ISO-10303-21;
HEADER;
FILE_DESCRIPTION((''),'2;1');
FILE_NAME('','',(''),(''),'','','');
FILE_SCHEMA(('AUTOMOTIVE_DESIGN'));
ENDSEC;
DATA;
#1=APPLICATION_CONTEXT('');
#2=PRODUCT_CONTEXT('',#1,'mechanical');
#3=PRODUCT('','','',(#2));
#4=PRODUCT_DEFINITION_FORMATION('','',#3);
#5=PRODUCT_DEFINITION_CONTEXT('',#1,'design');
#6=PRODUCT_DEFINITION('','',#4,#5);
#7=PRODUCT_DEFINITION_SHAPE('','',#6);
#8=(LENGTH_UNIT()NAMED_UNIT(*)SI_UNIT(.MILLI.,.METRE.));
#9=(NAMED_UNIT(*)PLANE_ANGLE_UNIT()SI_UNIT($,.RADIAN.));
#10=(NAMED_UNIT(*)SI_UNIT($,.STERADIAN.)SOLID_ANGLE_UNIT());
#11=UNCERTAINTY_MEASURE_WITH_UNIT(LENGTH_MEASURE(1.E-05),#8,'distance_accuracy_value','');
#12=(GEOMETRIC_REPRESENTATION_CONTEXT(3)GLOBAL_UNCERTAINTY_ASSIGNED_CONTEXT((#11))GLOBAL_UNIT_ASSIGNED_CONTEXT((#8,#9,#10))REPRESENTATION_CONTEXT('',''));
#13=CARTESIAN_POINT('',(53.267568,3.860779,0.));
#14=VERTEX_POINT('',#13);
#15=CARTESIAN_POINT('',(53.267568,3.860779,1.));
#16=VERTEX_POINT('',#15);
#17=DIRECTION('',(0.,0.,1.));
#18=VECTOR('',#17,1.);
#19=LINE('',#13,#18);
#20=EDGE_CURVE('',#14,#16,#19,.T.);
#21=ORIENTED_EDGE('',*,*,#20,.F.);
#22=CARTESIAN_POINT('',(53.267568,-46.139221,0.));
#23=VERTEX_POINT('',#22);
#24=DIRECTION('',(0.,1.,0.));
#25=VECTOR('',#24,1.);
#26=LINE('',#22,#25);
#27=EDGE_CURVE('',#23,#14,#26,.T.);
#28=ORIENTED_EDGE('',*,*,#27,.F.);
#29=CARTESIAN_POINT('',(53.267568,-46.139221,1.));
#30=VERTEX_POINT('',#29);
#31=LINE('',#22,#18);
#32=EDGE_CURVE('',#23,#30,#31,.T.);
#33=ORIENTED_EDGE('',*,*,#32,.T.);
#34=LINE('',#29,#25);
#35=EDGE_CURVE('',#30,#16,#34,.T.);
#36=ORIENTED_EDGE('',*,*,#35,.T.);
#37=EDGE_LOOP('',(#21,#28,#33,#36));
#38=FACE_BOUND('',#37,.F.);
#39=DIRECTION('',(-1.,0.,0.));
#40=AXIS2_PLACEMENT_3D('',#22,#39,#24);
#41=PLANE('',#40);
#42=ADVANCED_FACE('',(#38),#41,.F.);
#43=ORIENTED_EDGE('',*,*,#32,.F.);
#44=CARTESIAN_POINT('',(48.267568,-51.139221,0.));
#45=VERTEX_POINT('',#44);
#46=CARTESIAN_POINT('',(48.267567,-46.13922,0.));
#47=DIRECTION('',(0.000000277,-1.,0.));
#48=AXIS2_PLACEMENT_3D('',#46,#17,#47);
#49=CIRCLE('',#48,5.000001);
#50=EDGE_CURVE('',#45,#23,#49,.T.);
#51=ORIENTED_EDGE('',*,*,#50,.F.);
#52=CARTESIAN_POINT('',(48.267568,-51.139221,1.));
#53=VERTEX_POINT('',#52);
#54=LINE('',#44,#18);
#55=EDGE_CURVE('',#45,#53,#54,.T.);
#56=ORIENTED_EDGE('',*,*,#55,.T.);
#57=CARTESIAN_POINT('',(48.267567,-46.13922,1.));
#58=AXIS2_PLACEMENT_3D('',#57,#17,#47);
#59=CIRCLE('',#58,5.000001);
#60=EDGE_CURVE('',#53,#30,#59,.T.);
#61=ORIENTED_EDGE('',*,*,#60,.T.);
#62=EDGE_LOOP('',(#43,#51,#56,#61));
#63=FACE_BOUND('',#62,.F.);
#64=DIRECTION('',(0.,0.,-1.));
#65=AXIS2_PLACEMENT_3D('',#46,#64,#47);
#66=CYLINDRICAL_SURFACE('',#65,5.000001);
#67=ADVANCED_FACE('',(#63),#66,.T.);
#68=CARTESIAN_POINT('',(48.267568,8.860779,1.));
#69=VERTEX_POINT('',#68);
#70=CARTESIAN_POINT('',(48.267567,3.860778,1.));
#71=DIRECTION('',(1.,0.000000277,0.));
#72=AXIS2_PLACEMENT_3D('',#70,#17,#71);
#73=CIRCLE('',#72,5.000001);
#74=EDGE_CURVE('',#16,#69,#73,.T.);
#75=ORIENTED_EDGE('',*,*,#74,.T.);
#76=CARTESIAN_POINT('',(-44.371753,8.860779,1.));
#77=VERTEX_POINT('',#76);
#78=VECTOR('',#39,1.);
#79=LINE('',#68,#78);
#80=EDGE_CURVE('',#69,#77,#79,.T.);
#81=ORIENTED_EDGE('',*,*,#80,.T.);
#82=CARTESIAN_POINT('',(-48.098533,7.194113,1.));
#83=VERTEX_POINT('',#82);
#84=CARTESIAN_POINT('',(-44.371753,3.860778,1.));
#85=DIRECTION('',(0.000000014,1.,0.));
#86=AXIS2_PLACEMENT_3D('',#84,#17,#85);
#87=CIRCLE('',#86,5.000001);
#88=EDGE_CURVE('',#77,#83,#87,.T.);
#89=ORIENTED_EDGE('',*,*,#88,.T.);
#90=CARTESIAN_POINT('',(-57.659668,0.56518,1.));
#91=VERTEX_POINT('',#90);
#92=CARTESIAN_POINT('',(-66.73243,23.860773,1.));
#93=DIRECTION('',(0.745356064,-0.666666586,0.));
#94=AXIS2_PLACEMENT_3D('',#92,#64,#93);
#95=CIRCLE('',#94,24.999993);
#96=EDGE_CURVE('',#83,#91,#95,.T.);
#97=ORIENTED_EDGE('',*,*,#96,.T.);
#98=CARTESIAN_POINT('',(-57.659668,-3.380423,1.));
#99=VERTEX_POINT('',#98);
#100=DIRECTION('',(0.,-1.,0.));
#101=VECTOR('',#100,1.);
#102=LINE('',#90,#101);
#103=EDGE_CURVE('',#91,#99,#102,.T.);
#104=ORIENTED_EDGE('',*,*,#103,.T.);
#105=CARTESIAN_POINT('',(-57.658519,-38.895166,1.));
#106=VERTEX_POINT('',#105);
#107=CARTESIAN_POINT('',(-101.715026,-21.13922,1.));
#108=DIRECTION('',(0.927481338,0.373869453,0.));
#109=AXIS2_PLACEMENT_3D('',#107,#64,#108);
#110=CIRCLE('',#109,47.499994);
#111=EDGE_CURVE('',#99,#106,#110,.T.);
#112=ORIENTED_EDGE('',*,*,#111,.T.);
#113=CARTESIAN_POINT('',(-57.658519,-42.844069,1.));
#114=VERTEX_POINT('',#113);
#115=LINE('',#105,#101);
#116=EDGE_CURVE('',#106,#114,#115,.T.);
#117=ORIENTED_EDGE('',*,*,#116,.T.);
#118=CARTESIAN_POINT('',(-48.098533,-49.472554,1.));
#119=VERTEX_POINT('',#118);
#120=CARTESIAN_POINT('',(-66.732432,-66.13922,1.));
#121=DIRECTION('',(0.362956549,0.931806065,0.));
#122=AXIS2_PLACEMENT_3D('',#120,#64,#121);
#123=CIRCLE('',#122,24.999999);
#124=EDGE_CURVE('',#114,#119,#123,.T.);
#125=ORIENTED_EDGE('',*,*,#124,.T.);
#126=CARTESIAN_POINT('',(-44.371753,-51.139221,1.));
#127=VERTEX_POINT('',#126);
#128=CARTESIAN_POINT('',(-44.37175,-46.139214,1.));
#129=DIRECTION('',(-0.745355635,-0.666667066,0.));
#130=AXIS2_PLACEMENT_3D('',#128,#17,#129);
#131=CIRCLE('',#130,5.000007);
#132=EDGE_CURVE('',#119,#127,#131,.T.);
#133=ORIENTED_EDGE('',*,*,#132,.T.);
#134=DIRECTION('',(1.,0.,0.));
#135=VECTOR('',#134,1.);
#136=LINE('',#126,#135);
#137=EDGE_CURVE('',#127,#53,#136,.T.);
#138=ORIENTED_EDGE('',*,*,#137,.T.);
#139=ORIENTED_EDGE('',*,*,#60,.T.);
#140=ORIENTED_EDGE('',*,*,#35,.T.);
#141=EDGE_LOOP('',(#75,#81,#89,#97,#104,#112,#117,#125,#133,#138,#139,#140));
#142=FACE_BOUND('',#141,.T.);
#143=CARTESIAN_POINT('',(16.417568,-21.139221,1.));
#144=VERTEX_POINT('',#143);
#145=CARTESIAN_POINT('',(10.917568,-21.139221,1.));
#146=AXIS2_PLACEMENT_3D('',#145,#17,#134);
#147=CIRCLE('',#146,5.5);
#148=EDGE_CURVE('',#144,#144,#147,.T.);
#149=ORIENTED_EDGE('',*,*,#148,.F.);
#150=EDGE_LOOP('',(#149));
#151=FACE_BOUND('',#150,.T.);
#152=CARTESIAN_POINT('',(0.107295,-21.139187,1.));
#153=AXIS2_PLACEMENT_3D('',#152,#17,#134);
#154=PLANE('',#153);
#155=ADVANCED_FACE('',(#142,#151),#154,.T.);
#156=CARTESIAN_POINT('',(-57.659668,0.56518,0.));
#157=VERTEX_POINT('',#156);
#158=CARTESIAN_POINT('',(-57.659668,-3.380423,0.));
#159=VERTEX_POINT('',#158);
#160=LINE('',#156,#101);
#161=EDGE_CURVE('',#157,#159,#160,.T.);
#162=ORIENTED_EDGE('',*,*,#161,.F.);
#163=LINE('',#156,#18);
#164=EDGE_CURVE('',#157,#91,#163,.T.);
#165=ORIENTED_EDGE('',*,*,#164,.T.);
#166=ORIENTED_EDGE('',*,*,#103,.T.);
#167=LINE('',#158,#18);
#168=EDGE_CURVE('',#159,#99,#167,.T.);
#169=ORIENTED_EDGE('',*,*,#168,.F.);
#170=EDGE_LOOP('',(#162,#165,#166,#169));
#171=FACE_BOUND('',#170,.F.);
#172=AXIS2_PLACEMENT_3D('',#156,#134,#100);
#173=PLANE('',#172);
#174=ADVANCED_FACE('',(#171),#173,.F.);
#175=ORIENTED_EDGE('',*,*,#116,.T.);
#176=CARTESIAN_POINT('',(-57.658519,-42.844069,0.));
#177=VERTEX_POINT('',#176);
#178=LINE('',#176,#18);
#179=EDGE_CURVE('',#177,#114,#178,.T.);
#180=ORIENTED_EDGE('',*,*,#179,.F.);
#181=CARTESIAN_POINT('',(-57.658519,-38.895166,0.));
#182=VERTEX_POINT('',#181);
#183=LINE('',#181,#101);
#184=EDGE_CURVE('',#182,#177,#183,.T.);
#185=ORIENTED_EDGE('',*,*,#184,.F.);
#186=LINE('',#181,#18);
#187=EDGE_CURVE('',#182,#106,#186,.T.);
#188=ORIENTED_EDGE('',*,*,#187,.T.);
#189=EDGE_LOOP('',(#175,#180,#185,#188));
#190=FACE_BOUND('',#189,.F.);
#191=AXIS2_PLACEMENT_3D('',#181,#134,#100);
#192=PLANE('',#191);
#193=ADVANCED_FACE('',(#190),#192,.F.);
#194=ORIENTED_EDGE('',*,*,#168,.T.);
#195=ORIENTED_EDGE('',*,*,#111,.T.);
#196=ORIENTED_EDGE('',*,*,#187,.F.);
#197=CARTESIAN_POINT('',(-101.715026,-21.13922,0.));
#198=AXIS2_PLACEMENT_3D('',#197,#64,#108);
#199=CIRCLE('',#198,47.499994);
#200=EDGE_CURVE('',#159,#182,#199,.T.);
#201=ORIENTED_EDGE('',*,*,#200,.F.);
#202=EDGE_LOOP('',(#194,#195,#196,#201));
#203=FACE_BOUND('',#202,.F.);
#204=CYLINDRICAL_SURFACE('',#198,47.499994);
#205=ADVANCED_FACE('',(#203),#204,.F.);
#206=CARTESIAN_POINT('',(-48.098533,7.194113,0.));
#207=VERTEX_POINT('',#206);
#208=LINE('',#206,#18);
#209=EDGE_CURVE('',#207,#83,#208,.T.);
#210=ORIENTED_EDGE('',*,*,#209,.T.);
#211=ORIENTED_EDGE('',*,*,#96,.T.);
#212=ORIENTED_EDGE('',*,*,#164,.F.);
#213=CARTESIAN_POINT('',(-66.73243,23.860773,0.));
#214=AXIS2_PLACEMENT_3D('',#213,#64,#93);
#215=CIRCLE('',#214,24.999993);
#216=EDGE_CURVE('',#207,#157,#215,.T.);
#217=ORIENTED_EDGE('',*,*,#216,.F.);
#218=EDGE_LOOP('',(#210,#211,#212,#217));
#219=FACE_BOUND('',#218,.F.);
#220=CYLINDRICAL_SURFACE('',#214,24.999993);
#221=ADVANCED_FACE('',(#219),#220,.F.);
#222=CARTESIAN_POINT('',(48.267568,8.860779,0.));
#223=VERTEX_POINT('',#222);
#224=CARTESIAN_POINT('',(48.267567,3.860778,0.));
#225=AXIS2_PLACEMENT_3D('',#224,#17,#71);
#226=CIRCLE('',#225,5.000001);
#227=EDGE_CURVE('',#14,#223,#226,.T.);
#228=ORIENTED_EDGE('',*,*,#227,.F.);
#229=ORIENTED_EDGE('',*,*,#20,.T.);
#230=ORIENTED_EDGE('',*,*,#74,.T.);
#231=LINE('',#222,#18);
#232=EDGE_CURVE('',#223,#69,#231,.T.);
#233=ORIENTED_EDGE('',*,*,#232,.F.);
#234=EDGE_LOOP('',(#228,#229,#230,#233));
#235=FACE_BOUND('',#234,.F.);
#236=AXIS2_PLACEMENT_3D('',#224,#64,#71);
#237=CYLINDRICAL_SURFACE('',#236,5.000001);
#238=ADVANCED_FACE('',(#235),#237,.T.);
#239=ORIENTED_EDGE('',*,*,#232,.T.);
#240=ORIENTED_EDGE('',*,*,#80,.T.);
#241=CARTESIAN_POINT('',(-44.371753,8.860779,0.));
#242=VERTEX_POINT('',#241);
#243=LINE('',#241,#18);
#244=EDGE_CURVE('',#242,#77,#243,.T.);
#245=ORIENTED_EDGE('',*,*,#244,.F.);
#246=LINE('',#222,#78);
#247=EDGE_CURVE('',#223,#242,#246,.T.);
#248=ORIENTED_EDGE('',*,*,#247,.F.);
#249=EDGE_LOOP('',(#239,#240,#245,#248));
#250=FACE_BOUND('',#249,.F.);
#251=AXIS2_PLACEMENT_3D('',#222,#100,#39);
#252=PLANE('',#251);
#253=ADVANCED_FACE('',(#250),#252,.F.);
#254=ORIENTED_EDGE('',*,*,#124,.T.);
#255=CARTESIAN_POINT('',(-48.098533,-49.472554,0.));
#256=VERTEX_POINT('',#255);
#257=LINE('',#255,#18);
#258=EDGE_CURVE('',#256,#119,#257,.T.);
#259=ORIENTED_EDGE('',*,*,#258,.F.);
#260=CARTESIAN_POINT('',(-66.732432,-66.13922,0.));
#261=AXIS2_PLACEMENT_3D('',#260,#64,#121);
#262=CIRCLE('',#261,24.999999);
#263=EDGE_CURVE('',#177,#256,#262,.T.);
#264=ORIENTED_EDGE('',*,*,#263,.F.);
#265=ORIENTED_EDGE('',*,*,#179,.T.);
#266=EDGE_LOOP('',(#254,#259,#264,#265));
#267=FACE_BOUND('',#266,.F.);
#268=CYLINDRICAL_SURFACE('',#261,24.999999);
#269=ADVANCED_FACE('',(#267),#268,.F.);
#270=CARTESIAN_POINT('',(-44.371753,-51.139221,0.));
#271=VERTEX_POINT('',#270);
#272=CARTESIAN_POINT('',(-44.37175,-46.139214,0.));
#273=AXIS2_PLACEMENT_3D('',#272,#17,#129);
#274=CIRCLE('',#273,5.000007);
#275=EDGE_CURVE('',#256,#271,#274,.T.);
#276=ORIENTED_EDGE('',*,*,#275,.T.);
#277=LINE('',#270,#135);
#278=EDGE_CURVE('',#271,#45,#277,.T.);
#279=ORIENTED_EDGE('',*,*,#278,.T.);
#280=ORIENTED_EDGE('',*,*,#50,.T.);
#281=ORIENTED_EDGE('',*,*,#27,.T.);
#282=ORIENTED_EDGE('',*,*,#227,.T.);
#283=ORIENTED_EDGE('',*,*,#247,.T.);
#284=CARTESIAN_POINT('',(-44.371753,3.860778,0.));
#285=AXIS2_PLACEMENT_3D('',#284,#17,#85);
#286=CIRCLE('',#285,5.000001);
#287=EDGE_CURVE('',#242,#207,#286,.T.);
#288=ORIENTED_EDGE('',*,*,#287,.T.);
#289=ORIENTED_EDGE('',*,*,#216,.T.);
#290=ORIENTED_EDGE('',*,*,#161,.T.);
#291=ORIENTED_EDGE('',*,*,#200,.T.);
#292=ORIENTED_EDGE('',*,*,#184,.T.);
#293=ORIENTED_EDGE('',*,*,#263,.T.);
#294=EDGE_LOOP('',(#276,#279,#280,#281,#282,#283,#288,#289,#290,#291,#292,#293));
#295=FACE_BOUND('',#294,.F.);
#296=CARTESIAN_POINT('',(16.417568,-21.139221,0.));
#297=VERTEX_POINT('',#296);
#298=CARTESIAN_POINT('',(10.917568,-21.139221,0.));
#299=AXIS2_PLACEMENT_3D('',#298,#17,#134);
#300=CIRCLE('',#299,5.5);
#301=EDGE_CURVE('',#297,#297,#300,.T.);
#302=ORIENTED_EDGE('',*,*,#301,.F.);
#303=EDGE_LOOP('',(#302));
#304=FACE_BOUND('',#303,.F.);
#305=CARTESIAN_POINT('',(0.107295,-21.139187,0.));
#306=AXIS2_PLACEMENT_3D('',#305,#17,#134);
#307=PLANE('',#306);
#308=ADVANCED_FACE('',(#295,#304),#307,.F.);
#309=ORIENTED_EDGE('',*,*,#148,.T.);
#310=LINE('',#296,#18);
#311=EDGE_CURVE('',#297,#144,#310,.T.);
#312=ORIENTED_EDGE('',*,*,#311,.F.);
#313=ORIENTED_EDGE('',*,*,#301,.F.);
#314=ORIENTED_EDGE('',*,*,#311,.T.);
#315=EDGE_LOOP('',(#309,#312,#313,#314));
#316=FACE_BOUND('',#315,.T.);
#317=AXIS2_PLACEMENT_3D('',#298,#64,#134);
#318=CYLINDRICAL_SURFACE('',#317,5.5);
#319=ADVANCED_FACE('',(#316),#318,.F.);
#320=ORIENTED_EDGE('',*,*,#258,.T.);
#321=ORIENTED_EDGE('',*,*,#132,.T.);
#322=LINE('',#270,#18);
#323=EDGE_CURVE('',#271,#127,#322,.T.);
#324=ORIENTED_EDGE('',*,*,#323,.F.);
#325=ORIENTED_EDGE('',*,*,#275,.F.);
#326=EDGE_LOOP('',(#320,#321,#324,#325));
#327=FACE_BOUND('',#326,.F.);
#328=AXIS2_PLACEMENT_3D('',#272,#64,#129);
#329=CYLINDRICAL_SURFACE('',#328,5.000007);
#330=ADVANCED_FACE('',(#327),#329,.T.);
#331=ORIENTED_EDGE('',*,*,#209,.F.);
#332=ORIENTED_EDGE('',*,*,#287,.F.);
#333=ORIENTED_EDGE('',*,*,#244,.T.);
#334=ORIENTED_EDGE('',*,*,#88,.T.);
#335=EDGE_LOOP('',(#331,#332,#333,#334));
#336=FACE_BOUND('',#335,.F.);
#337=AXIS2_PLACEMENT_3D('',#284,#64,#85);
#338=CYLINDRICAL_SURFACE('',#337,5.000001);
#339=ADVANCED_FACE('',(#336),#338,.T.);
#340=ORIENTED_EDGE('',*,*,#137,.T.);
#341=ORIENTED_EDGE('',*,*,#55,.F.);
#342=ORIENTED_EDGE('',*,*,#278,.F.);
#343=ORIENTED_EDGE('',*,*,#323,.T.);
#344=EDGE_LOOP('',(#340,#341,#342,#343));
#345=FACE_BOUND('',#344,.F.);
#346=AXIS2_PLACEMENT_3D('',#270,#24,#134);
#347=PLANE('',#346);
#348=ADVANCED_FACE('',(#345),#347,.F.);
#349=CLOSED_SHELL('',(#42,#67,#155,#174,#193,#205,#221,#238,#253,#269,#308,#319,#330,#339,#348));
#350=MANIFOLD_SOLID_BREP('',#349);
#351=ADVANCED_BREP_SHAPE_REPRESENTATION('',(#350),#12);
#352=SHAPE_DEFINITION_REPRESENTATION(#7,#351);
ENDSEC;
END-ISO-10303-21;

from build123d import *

# Parameters (mm, degrees)
F0_R     = 1.25
F0_R_2   = 5.5
F0_R_3   = 5
F1_DEPTH = 1


with BuildPart() as f1:
    # F0 (on Top) → F1 (new body)
    with BuildSketch(Plane.XY):
        with BuildLine():
            Line((48.267568, 8.860779), (-44.371753, 8.860779))
            ThreePointArc((-44.371753, 8.860779), (-46.412994, 8.425134), (-48.098533, 7.194113))
            ThreePointArc((-48.098533, 7.194113), (-52.488118, 3.315719), (-57.659668, 0.56518))
            Line((-57.659668, 0.56518), (-57.659668, -3.380423))
            ThreePointArc((-57.659668, -3.380423), (-54.215032, -21.137683), (-57.658519, -38.895166))
            Line((-57.658519, -38.895166), (-57.658519, -42.844069))
            ThreePointArc((-57.658519, -42.844069), (-52.487611, -45.594512), (-48.098533, -49.472554))
            ThreePointArc((-48.098533, -49.472554), (-46.412994, -50.703575), (-44.371753, -51.139221))
            Line((-44.371753, -51.139221), (48.267568, -51.139221))
            ThreePointArc((48.267568, -51.139221), (51.803101, -49.674755), (53.267568, -46.139221))
            Line((53.267568, -46.139221), (53.267568, -22.439221))
            Line((53.267568, -22.439221), (46.782555, -22.439221))
            ThreePointArc((46.782555, -22.439221), (45.636911, -22.799861), (44.904433, -23.751721))
            ThreePointArc((44.904433, -23.751721), (37.767568, -28.739221), (30.630702, -23.751721))
            ThreePointArc((30.630702, -23.751721), (29.898224, -22.799861), (28.75258, -22.439221))
            Line((28.75258, -22.439221), (22.267568, -22.439221))
            Line((22.267568, -22.439221), (22.267568, -36.139221))
            Line((22.267568, -36.139221), (11.842568, -36.139221))
            Line((11.842568, -36.139221), (11.842568, -38.439221))
            ThreePointArc((11.842568, -38.439221), (7.156568, -42.753221), (2.842568, -38.067221))
            Line((2.842568, -38.067221), (2.842568, -36.139221))
            Line((2.842568, -36.139221), (-22.307432, -36.139221))
            Line((-22.307432, -36.139221), (-22.307432, -38.067221))
            ThreePointArc((-22.307432, -38.067221), (-26.621432, -42.753221), (-31.307432, -38.439221))
            Line((-31.307432, -38.439221), (-31.307432, -36.139221))
            Line((-31.307432, -36.139221), (-41.732432, -36.139221))
            Line((-41.732432, -36.139221), (-41.732432, -6.139221))
            Line((-41.732432, -6.139221), (-31.307432, -6.139221))
            Line((-31.307432, -6.139221), (-31.307432, -3.839221))
            ThreePointArc((-31.307432, -3.839221), (-26.621432, 0.474779), (-22.307432, -4.211221))
            Line((-22.307432, -4.211221), (-22.307432, -6.139221))
            Line((-22.307432, -6.139221), (2.842568, -6.139221))
            Line((2.842568, -6.139221), (2.842568, -4.211221))
            ThreePointArc((2.842568, -4.211221), (7.156568, 0.474779), (11.842568, -3.839221))
            Line((11.842568, -3.839221), (11.842568, -6.139221))
            Line((11.842568, -6.139221), (22.267568, -6.139221))
            Line((22.267568, -6.139221), (22.267568, -19.839221))
            Line((22.267568, -19.839221), (28.75258, -19.839221))
            ThreePointArc((28.75258, -19.839221), (29.898224, -19.47858), (30.630702, -18.526721))
            ThreePointArc((30.630702, -18.526721), (37.767568, -13.539221), (44.904433, -18.526721))
            ThreePointArc((44.904433, -18.526721), (45.636911, -19.47858), (46.782555, -19.839221))
            Line((46.782555, -19.839221), (53.267568, -19.839221))
            Line((53.267568, -19.839221), (53.267568, 3.860779))
            ThreePointArc((53.267568, 3.860779), (51.803101, 7.396313), (48.267568, 8.860779))
        make_face()
        with Locations((-38.380432, -42.839221)):
            Circle(F0_R, mode=Mode.SUBTRACT)
        with Locations((37.767568, -42.839221)):
            Circle(F0_R, mode=Mode.SUBTRACT)
        with Locations((-38.380432, 0.560779)):
            Circle(F0_R, mode=Mode.SUBTRACT)
        with Locations((37.767568, 0.560779)):
            Circle(F0_R, mode=Mode.SUBTRACT)
        with BuildLine():
            Line((22.267568, -21.139221), (22.267568, -19.839221))
            Line((22.267568, -19.839221), (22.267568, -6.139221))
            Line((22.267568, -6.139221), (11.842568, -6.139221))
            Line((11.842568, -6.139221), (11.842568, -3.839221))
            ThreePointArc((11.842568, -3.839221), (7.156568, 0.474779), (2.842568, -4.211221))
            Line((2.842568, -4.211221), (2.842568, -6.139221))
            Line((2.842568, -6.139221), (-22.307432, -6.139221))
            Line((-22.307432, -6.139221), (-22.307432, -4.211221))
            ThreePointArc((-22.307432, -4.211221), (-26.621432, 0.474779), (-31.307432, -3.839221))
            Line((-31.307432, -3.839221), (-31.307432, -6.139221))
            Line((-31.307432, -6.139221), (-41.732432, -6.139221))
            Line((-41.732432, -6.139221), (-41.732432, -36.139221))
            Line((-41.732432, -36.139221), (-31.307432, -36.139221))
            Line((-31.307432, -36.139221), (-31.307432, -38.439221))
            ThreePointArc((-31.307432, -38.439221), (-26.621432, -42.753221), (-22.307432, -38.067221))
            Line((-22.307432, -38.067221), (-22.307432, -36.139221))
            Line((-22.307432, -36.139221), (2.842568, -36.139221))
            Line((2.842568, -36.139221), (2.842568, -38.067221))
            ThreePointArc((2.842568, -38.067221), (7.156568, -42.753221), (11.842568, -38.439221))
            Line((11.842568, -38.439221), (11.842568, -36.139221))
            Line((11.842568, -36.139221), (22.267568, -36.139221))
            Line((22.267568, -36.139221), (22.267568, -22.439221))
            Line((22.267568, -22.439221), (22.267568, -21.139221))
        make_face()
        with Locations((10.917568, -21.139221)):
            Circle(F0_R_2, mode=Mode.SUBTRACT)
        with BuildLine():
            Line((53.267568, -22.439221), (53.267568, -19.839221))
            Line((53.267568, -19.839221), (46.782555, -19.839221))
            ThreePointArc((46.782555, -19.839221), (45.636911, -19.47858), (44.904433, -18.526721))
            ThreePointArc((44.904433, -18.526721), (37.767568, -13.539221), (30.630702, -18.526721))
            ThreePointArc((30.630702, -18.526721), (29.898224, -19.47858), (28.75258, -19.839221))
            Line((28.75258, -19.839221), (22.267568, -19.839221))
            Line((22.267568, -19.839221), (22.267568, -21.139221))
            Line((22.267568, -21.139221), (22.267568, -22.439221))
            Line((22.267568, -22.439221), (28.75258, -22.439221))
            ThreePointArc((28.75258, -22.439221), (29.898224, -22.799861), (30.630702, -23.751721))
            ThreePointArc((30.630702, -23.751721), (37.767568, -28.739221), (44.904433, -23.751721))
            ThreePointArc((44.904433, -23.751721), (45.636911, -22.799861), (46.782555, -22.439221))
            Line((46.782555, -22.439221), (53.267568, -22.439221))
        make_face()
        with Locations((37.767568, -21.139221)):
            Circle(F0_R_3, mode=Mode.SUBTRACT)
        with Locations((37.767568, -21.139221)):
            Circle(F0_R_3)
        with Locations((37.767568, 0.560779)):
            Circle(F0_R)
        with Locations((37.767568, -42.839221)):
            Circle(F0_R)
        with Locations((-38.380432, -42.839221)):
            Circle(F0_R)
        with Locations((-38.380432, 0.560779)):
            Circle(F0_R)
    extrude(amount=F1_DEPTH)


solid = f1.part
